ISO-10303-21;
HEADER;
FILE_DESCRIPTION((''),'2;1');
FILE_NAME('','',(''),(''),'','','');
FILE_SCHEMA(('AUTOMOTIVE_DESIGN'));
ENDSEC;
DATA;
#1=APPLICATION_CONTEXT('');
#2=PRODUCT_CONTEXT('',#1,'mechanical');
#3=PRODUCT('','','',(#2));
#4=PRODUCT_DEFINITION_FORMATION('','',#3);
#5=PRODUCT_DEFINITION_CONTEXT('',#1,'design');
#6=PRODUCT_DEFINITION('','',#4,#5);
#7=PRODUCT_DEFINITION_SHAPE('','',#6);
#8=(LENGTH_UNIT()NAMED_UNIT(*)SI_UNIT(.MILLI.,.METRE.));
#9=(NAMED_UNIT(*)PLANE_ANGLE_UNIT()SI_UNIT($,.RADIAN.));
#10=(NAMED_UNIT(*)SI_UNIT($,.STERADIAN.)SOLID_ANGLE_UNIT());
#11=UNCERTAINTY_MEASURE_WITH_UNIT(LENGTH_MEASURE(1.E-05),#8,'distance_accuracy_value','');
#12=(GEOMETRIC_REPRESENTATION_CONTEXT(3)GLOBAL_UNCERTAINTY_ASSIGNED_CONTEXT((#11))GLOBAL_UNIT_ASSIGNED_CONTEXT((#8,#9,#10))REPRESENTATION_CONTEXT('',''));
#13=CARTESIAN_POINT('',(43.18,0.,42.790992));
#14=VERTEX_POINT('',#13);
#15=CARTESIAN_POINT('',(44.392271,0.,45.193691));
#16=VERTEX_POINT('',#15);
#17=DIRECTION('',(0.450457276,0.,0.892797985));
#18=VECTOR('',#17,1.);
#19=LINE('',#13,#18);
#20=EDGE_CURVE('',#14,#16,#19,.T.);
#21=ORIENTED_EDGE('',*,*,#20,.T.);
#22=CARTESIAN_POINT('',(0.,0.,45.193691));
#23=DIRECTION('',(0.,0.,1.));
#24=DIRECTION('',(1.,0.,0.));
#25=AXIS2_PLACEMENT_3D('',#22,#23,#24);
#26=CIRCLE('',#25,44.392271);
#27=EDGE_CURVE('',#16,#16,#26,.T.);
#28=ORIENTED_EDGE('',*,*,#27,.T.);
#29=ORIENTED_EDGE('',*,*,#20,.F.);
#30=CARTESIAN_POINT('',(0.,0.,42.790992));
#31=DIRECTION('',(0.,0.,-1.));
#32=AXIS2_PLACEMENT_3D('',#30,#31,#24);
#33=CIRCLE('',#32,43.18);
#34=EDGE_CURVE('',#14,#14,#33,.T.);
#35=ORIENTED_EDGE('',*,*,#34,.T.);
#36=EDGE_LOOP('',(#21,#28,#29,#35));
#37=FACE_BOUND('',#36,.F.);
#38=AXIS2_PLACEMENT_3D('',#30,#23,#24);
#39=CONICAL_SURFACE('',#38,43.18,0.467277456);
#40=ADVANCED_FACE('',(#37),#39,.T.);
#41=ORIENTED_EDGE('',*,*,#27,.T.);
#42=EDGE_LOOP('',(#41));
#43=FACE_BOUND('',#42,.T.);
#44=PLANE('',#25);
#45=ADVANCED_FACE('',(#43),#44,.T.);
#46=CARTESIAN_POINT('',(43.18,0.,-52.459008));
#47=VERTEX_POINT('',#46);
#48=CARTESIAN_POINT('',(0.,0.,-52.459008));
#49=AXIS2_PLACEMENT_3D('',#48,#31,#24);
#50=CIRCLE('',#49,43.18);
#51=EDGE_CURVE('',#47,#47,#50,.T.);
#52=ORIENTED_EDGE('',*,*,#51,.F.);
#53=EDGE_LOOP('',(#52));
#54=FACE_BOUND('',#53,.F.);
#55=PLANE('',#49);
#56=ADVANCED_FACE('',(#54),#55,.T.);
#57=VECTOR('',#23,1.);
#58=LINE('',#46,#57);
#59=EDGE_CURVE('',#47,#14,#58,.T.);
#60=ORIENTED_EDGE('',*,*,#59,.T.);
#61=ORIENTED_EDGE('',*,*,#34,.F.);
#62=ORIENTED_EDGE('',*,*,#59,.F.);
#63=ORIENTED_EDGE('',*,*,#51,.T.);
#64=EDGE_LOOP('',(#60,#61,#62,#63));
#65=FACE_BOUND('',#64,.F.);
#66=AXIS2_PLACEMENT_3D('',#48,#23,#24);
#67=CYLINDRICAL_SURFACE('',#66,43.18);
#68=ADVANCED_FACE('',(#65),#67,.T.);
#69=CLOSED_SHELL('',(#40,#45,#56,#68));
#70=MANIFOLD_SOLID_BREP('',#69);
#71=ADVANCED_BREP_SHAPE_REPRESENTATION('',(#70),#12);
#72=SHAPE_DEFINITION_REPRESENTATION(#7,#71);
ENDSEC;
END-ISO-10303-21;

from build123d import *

# Parameters (mm, degrees)
F1_FACE_R = 50.8
F2_DEPTH  = 12.7


with BuildPart() as f1:
    # F0 (on Front) → F1 (revolve)
    with BuildSketch(Plane.XZ):
        Polygon((50.8, 57.893691), (0, 57.893691), (0, -52.459008), (43.18, -52.459008), (43.18, 42.790992), align=None)
    revolve(axis=Axis((0, 0, 2.717342), (0, 0, -1)))

    # F1_face (on face) → F2 (cut)
    with BuildSketch(Plane.XY.offset(57.893691)):
        Circle(F1_FACE_R)
    extrude(amount=-F2_DEPTH, mode=Mode.SUBTRACT)


solid = f1.part
